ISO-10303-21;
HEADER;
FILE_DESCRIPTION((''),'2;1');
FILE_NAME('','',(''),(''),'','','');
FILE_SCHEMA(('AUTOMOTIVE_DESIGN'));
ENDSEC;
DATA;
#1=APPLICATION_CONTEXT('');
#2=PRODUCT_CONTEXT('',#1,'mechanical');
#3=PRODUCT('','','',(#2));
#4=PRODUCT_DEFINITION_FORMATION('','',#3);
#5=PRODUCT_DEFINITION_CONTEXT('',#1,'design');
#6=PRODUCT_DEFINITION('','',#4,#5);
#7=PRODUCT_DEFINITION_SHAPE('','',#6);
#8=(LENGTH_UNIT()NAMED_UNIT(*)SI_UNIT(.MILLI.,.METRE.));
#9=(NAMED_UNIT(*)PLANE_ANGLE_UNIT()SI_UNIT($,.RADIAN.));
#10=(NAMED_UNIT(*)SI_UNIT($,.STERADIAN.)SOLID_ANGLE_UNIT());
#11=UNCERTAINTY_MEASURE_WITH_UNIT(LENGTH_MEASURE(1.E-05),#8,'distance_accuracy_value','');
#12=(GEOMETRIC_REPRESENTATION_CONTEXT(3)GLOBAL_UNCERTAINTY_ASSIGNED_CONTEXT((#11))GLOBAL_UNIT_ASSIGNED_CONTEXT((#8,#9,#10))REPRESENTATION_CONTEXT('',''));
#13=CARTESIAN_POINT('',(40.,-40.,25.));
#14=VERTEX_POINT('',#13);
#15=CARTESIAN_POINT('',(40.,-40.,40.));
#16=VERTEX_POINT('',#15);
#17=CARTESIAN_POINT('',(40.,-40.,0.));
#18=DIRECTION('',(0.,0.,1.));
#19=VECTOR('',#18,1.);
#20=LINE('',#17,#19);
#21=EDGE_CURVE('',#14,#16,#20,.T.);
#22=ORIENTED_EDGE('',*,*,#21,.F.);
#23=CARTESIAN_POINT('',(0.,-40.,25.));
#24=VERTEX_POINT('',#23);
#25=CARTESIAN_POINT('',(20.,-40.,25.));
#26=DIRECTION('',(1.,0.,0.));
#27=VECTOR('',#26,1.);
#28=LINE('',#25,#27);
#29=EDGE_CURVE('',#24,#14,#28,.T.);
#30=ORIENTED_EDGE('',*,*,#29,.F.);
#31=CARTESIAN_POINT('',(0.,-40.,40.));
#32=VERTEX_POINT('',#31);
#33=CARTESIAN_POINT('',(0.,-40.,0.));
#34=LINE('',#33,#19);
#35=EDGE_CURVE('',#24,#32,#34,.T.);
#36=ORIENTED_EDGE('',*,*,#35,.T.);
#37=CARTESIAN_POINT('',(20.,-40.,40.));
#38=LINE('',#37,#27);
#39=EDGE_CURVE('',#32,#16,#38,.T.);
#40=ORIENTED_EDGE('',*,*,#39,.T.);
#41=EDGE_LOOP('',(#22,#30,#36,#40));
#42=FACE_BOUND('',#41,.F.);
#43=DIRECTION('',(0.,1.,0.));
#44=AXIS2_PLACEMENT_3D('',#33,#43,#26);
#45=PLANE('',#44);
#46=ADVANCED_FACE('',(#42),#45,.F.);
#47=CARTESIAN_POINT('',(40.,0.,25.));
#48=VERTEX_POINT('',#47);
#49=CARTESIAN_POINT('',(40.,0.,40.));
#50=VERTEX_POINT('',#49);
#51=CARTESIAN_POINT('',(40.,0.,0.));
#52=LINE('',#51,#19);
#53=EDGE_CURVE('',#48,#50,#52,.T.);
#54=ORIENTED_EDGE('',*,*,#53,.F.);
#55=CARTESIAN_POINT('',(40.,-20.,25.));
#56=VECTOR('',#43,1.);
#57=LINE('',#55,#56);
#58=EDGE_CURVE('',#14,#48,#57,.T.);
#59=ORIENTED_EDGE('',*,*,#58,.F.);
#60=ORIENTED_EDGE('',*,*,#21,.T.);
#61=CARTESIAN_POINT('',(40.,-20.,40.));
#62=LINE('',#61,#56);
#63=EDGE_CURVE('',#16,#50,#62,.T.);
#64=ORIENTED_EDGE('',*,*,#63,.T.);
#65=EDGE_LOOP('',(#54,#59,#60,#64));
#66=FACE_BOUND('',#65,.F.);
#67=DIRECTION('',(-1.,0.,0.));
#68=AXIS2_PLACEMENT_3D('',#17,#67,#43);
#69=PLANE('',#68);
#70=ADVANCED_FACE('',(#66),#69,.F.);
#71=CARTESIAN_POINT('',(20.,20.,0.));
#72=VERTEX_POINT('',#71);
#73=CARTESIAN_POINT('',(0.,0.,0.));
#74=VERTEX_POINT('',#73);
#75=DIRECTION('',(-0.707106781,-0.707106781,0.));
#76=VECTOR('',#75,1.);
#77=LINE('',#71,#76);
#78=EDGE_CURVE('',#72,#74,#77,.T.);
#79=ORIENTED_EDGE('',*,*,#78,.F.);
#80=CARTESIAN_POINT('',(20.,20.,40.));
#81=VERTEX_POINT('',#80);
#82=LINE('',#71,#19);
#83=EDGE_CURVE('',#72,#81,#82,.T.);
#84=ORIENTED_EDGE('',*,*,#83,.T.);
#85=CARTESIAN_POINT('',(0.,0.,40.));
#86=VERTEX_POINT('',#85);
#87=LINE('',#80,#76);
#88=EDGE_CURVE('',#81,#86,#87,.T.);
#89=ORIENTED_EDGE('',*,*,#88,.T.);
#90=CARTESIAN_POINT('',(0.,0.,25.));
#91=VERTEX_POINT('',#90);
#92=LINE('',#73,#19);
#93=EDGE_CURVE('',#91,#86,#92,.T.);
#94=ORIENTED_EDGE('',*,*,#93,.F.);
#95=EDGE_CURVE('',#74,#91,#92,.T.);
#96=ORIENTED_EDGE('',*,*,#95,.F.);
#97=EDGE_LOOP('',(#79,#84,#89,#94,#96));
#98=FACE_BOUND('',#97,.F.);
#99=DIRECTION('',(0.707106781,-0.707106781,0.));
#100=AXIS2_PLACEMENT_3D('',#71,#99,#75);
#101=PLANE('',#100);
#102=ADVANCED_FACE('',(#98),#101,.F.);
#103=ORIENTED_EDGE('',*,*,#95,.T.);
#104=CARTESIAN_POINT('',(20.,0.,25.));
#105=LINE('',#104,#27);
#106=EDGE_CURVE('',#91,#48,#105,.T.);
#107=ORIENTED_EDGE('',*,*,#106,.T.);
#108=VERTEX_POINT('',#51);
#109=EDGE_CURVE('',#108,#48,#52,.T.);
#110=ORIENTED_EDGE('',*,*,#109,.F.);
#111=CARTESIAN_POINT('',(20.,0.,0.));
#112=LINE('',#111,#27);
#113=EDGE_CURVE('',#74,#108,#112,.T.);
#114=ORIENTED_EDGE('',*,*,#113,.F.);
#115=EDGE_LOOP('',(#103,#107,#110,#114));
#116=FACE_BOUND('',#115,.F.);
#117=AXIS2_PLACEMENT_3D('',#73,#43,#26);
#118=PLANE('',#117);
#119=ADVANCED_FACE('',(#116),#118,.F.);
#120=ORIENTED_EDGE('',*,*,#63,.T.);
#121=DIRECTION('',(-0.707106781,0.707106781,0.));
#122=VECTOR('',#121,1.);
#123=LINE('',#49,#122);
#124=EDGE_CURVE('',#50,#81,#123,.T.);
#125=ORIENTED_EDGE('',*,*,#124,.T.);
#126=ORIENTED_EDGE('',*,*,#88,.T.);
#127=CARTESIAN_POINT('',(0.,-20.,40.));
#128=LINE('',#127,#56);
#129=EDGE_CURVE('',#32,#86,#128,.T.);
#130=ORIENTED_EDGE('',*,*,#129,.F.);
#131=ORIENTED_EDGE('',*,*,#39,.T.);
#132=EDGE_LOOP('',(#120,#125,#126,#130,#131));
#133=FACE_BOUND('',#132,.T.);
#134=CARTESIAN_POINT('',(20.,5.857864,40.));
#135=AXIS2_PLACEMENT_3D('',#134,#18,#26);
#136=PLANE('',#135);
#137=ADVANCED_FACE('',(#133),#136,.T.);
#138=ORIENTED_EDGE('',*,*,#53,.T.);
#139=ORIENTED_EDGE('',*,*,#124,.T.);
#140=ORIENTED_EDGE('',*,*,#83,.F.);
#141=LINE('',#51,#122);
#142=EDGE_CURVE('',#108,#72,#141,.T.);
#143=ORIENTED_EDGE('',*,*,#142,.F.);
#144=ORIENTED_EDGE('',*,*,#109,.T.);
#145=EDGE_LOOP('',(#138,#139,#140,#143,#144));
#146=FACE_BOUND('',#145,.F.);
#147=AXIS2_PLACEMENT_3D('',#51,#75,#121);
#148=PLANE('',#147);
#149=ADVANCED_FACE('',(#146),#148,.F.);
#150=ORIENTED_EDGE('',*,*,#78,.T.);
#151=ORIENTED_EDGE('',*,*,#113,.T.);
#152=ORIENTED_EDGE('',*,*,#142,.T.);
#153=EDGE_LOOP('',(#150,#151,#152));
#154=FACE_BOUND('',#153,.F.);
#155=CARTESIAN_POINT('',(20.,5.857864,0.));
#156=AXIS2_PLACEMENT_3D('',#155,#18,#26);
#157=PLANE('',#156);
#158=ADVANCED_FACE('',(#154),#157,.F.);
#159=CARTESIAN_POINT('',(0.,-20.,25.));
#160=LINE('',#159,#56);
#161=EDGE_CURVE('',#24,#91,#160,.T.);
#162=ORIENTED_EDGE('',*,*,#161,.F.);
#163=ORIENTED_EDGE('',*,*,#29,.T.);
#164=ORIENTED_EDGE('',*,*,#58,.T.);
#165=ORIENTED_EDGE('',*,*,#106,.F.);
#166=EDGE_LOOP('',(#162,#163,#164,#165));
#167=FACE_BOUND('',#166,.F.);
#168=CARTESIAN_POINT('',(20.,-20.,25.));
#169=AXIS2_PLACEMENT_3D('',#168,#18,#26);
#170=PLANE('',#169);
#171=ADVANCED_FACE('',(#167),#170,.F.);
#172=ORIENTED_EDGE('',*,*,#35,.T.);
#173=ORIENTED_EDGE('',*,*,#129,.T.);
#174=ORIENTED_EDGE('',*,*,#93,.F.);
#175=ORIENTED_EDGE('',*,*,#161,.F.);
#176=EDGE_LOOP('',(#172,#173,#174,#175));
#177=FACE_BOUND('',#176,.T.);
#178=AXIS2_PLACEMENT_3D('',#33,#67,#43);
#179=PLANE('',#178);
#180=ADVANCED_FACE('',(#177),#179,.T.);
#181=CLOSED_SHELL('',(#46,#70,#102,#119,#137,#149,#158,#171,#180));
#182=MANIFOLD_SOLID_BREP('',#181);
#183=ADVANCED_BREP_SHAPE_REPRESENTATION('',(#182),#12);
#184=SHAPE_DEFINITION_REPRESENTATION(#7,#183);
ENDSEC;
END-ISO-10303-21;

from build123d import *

# Parameters (mm, degrees)
F0_W     = 40
F0_H     = 40
F1_DEPTH = 40
F2_DEPTH = 25


with BuildPart() as f1:
    # F0 (on Top) → F1 (new body)
    with BuildSketch(Plane.XY):
        Polygon((20, 20), (0, 0), (40, 0), align=None)
        with Locations((20, -20)):
            Rectangle(F0_W, F0_H)
    extrude(amount=F1_DEPTH)

    # F0 (on Top) → F2 (cut)
    with BuildSketch(Plane.XY):
        with Locations((20, -20)):
            Rectangle(F0_W, F0_H)
    extrude(amount=F2_DEPTH, mode=Mode.SUBTRACT)


solid = f1.part
